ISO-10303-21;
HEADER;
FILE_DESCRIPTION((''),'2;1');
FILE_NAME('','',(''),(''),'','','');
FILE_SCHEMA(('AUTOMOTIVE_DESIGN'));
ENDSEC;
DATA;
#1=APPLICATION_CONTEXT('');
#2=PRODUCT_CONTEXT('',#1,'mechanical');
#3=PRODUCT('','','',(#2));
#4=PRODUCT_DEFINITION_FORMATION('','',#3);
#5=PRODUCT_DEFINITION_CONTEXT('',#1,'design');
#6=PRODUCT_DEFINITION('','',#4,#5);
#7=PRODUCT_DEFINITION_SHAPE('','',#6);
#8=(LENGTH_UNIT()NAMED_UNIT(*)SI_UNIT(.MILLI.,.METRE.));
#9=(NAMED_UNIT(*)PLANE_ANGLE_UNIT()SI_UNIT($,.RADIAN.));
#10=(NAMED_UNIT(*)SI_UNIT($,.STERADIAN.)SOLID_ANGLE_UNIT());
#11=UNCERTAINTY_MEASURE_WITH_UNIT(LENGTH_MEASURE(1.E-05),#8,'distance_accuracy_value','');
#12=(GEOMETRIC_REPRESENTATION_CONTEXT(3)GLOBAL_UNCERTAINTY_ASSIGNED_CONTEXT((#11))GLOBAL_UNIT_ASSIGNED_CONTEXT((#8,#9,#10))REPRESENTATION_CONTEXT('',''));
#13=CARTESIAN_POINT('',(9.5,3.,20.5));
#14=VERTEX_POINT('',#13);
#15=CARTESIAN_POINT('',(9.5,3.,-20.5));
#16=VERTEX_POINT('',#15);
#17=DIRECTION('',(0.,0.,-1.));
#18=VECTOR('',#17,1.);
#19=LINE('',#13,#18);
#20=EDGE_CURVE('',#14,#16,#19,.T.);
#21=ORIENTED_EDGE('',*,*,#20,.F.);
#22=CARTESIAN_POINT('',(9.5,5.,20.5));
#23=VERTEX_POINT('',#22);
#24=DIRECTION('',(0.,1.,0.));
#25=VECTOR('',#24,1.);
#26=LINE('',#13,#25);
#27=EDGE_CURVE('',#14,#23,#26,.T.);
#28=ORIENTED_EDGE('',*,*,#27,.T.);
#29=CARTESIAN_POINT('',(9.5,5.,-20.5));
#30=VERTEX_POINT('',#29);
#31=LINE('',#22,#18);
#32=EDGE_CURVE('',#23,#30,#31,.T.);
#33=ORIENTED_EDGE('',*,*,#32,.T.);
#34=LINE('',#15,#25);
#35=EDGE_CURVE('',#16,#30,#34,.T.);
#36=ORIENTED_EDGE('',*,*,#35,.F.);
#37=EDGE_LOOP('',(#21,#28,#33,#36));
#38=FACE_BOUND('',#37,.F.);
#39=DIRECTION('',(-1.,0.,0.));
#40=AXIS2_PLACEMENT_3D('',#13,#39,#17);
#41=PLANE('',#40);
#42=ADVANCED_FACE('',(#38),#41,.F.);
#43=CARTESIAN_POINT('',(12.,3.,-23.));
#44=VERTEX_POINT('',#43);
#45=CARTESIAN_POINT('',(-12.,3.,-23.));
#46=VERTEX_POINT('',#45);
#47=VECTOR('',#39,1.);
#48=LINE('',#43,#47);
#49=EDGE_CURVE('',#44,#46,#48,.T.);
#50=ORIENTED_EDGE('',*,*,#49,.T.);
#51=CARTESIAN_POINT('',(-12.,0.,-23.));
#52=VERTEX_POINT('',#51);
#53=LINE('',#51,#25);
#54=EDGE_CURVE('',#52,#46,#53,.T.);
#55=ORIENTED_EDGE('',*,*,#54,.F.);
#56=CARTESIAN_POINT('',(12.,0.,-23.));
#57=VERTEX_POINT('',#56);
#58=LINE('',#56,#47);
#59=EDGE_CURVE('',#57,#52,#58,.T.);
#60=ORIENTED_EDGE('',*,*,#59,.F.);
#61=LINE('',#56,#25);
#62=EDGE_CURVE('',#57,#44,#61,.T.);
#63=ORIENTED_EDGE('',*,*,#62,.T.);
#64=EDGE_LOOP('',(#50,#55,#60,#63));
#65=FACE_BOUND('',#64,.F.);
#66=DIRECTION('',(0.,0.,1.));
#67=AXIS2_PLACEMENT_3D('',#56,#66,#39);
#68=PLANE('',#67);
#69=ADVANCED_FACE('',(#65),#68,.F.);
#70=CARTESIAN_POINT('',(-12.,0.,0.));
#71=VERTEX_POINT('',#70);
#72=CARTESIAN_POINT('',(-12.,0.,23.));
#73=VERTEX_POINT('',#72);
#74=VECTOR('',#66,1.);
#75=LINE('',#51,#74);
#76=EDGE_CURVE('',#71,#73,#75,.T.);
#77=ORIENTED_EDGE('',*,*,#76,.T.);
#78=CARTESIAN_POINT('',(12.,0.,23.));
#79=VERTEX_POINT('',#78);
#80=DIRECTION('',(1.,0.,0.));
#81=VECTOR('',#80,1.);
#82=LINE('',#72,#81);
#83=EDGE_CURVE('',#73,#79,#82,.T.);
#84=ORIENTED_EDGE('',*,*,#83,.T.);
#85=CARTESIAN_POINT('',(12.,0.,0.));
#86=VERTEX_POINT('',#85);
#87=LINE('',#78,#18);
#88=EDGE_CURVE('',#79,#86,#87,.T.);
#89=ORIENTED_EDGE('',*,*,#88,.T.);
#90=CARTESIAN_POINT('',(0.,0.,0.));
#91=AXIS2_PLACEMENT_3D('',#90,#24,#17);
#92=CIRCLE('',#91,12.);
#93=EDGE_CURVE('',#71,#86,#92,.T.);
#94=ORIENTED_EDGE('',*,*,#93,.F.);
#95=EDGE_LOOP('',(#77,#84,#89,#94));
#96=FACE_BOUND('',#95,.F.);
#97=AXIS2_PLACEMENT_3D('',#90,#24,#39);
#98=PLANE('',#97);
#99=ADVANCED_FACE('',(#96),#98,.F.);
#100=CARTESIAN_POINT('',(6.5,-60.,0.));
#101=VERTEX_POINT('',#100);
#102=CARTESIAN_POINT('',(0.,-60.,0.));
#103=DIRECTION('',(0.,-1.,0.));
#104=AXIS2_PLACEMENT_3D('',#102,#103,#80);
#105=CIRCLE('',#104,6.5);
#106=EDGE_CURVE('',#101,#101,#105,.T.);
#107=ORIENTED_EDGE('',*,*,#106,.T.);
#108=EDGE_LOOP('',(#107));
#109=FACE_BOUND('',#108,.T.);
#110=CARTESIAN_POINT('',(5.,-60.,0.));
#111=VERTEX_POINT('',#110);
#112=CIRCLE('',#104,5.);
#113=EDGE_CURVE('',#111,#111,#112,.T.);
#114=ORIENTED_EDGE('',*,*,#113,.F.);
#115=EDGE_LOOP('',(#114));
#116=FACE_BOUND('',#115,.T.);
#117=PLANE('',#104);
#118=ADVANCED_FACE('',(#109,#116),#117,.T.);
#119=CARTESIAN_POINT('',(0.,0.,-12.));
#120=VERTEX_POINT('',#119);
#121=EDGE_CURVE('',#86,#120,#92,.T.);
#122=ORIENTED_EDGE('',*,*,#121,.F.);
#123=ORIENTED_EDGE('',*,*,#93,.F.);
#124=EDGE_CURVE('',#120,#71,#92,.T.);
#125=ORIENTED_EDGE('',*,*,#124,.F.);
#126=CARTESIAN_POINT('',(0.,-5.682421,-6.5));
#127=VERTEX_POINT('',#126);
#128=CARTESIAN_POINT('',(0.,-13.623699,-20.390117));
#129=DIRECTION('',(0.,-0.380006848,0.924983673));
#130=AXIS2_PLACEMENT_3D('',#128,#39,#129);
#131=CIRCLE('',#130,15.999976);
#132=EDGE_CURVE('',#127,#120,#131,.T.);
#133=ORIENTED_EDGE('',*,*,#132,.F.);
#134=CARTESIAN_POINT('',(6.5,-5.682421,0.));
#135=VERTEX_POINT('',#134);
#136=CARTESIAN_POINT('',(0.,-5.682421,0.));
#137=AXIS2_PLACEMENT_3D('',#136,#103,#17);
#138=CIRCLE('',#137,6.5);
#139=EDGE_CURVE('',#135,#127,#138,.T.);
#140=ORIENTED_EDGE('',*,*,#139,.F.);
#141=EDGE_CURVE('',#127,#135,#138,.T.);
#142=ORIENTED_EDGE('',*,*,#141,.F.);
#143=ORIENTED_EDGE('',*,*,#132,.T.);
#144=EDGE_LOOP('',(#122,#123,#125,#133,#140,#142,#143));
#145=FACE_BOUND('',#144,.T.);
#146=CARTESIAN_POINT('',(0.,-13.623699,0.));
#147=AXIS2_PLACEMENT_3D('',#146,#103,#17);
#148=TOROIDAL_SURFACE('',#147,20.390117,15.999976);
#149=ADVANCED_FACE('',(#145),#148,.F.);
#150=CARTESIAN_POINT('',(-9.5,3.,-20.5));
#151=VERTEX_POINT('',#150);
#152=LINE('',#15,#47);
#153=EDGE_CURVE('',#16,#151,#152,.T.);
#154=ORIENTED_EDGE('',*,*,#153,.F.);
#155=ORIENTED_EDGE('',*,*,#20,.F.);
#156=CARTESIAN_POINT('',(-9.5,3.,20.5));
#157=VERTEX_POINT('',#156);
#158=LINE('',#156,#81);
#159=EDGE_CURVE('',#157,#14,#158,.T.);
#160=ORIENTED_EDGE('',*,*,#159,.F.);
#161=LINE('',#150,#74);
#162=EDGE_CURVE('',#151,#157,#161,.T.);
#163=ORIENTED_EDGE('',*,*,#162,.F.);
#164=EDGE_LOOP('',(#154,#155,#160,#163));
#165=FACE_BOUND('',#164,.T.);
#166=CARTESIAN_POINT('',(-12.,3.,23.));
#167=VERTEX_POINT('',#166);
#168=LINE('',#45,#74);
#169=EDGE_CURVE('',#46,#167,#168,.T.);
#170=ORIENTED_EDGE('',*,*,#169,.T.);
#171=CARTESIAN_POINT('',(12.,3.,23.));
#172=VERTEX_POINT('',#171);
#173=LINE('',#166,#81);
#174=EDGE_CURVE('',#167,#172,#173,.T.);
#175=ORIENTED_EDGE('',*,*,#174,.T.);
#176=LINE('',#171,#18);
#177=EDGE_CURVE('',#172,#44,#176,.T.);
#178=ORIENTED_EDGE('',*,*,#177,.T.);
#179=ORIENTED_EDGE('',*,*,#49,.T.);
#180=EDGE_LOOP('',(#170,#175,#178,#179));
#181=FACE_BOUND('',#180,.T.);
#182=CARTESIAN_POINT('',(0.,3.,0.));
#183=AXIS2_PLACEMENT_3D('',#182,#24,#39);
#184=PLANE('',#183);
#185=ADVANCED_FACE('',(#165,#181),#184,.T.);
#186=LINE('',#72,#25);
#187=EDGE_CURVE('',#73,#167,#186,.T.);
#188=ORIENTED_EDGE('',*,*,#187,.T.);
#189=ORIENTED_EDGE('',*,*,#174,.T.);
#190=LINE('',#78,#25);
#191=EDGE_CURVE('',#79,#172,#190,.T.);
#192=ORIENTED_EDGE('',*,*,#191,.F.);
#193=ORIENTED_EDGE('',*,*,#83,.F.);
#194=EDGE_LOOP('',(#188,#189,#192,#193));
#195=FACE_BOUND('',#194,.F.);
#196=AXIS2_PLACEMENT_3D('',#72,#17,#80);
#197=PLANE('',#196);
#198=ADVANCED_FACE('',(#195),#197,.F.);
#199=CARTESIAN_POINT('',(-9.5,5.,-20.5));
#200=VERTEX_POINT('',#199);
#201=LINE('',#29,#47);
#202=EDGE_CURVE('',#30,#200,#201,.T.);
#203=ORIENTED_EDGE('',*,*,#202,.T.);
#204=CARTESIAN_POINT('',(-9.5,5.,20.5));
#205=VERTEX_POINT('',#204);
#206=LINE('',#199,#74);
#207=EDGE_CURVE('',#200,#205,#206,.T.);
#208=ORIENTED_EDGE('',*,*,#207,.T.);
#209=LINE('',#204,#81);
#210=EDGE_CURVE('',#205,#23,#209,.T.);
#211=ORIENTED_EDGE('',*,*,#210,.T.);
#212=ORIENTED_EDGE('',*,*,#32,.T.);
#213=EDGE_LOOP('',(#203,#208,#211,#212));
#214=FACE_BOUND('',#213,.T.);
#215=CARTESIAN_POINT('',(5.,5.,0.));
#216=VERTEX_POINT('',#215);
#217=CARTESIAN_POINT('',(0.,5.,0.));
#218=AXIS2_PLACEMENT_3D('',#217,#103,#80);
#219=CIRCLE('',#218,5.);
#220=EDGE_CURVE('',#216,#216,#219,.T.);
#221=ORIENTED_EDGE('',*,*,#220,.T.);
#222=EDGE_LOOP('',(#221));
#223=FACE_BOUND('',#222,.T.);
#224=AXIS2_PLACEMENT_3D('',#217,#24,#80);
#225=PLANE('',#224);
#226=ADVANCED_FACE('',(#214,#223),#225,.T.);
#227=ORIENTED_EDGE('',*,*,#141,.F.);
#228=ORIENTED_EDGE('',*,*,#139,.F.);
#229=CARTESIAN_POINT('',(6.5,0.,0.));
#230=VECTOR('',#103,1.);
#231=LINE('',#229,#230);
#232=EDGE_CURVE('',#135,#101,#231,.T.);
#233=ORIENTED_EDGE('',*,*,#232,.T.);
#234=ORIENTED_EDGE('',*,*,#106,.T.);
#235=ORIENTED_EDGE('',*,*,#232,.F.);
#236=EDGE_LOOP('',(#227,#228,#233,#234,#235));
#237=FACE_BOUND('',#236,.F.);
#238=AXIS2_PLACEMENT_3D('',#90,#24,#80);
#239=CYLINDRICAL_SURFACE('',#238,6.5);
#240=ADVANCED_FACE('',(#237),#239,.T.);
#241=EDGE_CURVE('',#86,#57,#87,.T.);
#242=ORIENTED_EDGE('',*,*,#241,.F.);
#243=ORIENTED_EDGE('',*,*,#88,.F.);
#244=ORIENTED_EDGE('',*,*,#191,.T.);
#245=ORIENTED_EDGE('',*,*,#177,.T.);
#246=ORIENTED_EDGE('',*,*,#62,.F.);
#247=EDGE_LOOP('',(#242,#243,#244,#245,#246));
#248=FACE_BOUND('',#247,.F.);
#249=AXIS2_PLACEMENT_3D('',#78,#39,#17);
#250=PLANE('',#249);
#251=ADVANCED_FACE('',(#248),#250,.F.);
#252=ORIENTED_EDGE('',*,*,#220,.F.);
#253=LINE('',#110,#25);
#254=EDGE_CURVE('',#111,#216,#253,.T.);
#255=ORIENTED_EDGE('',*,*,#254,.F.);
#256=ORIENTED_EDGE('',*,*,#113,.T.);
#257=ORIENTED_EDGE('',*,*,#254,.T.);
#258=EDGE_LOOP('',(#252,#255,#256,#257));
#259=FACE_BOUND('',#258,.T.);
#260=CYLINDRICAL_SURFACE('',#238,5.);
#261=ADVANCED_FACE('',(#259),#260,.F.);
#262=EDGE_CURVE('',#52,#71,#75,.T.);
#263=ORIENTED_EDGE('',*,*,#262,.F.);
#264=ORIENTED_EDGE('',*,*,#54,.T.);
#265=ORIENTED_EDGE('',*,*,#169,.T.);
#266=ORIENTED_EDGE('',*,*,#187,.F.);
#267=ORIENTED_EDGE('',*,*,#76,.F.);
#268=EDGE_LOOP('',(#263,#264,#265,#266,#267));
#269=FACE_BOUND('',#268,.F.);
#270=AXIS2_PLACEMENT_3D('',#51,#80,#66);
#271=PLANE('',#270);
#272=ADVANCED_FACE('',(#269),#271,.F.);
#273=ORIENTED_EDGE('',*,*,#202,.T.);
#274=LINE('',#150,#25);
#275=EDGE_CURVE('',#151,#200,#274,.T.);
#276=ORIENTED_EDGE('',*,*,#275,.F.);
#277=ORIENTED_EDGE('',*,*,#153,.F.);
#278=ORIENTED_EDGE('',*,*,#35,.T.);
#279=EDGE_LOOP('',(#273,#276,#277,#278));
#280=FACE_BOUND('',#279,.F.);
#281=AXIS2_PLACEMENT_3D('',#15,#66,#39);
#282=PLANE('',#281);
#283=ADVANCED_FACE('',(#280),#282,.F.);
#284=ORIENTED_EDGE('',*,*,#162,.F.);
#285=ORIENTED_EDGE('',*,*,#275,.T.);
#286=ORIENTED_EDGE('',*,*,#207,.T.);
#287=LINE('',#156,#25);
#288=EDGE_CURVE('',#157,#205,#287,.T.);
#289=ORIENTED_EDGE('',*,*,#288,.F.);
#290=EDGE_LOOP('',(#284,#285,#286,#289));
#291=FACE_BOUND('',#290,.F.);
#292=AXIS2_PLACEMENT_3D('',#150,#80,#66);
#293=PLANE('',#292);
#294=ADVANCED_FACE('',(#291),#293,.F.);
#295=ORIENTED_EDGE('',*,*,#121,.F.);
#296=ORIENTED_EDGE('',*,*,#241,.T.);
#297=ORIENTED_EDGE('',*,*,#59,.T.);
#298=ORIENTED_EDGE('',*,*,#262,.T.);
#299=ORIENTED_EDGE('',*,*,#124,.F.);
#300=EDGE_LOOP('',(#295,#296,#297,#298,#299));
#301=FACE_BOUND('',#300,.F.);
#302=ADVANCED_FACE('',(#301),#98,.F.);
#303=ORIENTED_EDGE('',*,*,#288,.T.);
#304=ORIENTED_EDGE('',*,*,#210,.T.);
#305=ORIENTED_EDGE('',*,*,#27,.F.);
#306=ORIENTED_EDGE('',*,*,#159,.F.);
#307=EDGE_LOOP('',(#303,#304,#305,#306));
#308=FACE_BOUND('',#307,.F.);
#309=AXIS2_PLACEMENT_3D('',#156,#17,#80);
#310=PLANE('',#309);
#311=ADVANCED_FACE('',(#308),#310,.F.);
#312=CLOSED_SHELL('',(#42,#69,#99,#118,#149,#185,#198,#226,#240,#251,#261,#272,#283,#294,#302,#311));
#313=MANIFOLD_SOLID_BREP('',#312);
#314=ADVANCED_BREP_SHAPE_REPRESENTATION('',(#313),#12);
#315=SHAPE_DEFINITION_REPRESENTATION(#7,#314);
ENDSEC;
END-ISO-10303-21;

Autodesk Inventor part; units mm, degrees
ref_plane "YZ Plane" through (0, 0, 0) normal (1, 0, 0) x (0, 1, 0)
ref_plane "XZ Plane" through (0, 0, 0) normal (0, 1, 0) x (-1, 0, 0)
ref_plane "XY Plane" through (0, 0, 0) normal (0, 0, 1) x (1, 0, 0)
sketch "Esboço1" plane through (0, 0, 0) normal (0, 1, 0) x (-1, 0, 0)
  line L0 (12, 23) -> (-12, 23)
  line L1 (-12, 23) -> (-12, -23)
  line L2 (-12, -23) -> (12, -23)
  line L3 (12, -23) -> (12, 23)
  line L4 (12, 23) -> (-12, -23) construction
  line L5 (-12, 23) -> (12, -23) construction
  point P0 (0, 0)
  dimension "d0" = 24
  dimension "d1" = 46
extrude "Base" add sketch "Esboço1" along normal blind 3
sketch "Esboço2" plane through (0, 3, 0) normal (0, 1, 0) x (1, 0, 0)
  line L0 (-9.5, -20.5) -> (9.5, -20.5)
  line L1 (9.5, -20.5) -> (9.5, 20.5)
  line L2 (9.5, 20.5) -> (-9.5, 20.5)
  line L3 (-9.5, 20.5) -> (-9.5, -20.5)
  line L4 (-9.5, -20.5) -> (9.5, 20.5) construction
  line L5 (9.5, -20.5) -> (-9.5, 20.5) construction
  line L6 (-12, 23) -> (-12, -23) projected
  point P0 (0, 0)
  dimension "d4" = 19
  dimension "d5" = 41
extrude "Encaixe" add sketch "Esboço2" along normal blind 2
sketch "Esboço3" plane through (0, 0, 0) normal (0, -1, 0) x (1, 0, 0)
  circle A0 centre (0, 0) radius 6.5
  circle A1 centre (0, 0) radius 5
  dimension "d9" = 13
  dimension "d10" = 10
extrude "Furo" cut sketch "Esboço3" against normal up to surface (5 mm away) contours A1
extrude "Haste" add sketch "Esboço3" along normal blind 60
ref_plane "Plano de trabalho1" through (0, 0, -23) normal (-1, 0, 0) x (0, 0, 1)
sketch "Esboço5" plane through (0, 0, -23) normal (-1, 0, 0) x (0, 0, 1)
  line L0 (17.4096, -19.7038) -> (17.4096, 1.7927)
  line L1 (46, 0) -> (0, 0) projected
  line L2 (28, -60) -> (28, 5) projected
  arc A0 (17.4096, -19.7038) -> (11, 0) centre (2.6099, -13.6237) ccw
  line L3 (23, -21.6532) -> (23, 7.4929)
  line L4 (0, 0) -> (46, 0) projected
  point P0 (23, 0)
  point P1 (26.9955, 0)
  point P2 (23, 0)
  point P3 (23, 0)
  point P4 (17.4096, -7.5437)
  point P5 (17.4096, 0)
  dimension "d25" = 16
  dimension "d27" = 12
revolve "Revolução1" add sketch "Esboço5" angle 360 about axis through (0, -21.6532, 0) along (0, 1, 0) contours A0 L1 L0
properties part number "Tampa Eletroimã"
